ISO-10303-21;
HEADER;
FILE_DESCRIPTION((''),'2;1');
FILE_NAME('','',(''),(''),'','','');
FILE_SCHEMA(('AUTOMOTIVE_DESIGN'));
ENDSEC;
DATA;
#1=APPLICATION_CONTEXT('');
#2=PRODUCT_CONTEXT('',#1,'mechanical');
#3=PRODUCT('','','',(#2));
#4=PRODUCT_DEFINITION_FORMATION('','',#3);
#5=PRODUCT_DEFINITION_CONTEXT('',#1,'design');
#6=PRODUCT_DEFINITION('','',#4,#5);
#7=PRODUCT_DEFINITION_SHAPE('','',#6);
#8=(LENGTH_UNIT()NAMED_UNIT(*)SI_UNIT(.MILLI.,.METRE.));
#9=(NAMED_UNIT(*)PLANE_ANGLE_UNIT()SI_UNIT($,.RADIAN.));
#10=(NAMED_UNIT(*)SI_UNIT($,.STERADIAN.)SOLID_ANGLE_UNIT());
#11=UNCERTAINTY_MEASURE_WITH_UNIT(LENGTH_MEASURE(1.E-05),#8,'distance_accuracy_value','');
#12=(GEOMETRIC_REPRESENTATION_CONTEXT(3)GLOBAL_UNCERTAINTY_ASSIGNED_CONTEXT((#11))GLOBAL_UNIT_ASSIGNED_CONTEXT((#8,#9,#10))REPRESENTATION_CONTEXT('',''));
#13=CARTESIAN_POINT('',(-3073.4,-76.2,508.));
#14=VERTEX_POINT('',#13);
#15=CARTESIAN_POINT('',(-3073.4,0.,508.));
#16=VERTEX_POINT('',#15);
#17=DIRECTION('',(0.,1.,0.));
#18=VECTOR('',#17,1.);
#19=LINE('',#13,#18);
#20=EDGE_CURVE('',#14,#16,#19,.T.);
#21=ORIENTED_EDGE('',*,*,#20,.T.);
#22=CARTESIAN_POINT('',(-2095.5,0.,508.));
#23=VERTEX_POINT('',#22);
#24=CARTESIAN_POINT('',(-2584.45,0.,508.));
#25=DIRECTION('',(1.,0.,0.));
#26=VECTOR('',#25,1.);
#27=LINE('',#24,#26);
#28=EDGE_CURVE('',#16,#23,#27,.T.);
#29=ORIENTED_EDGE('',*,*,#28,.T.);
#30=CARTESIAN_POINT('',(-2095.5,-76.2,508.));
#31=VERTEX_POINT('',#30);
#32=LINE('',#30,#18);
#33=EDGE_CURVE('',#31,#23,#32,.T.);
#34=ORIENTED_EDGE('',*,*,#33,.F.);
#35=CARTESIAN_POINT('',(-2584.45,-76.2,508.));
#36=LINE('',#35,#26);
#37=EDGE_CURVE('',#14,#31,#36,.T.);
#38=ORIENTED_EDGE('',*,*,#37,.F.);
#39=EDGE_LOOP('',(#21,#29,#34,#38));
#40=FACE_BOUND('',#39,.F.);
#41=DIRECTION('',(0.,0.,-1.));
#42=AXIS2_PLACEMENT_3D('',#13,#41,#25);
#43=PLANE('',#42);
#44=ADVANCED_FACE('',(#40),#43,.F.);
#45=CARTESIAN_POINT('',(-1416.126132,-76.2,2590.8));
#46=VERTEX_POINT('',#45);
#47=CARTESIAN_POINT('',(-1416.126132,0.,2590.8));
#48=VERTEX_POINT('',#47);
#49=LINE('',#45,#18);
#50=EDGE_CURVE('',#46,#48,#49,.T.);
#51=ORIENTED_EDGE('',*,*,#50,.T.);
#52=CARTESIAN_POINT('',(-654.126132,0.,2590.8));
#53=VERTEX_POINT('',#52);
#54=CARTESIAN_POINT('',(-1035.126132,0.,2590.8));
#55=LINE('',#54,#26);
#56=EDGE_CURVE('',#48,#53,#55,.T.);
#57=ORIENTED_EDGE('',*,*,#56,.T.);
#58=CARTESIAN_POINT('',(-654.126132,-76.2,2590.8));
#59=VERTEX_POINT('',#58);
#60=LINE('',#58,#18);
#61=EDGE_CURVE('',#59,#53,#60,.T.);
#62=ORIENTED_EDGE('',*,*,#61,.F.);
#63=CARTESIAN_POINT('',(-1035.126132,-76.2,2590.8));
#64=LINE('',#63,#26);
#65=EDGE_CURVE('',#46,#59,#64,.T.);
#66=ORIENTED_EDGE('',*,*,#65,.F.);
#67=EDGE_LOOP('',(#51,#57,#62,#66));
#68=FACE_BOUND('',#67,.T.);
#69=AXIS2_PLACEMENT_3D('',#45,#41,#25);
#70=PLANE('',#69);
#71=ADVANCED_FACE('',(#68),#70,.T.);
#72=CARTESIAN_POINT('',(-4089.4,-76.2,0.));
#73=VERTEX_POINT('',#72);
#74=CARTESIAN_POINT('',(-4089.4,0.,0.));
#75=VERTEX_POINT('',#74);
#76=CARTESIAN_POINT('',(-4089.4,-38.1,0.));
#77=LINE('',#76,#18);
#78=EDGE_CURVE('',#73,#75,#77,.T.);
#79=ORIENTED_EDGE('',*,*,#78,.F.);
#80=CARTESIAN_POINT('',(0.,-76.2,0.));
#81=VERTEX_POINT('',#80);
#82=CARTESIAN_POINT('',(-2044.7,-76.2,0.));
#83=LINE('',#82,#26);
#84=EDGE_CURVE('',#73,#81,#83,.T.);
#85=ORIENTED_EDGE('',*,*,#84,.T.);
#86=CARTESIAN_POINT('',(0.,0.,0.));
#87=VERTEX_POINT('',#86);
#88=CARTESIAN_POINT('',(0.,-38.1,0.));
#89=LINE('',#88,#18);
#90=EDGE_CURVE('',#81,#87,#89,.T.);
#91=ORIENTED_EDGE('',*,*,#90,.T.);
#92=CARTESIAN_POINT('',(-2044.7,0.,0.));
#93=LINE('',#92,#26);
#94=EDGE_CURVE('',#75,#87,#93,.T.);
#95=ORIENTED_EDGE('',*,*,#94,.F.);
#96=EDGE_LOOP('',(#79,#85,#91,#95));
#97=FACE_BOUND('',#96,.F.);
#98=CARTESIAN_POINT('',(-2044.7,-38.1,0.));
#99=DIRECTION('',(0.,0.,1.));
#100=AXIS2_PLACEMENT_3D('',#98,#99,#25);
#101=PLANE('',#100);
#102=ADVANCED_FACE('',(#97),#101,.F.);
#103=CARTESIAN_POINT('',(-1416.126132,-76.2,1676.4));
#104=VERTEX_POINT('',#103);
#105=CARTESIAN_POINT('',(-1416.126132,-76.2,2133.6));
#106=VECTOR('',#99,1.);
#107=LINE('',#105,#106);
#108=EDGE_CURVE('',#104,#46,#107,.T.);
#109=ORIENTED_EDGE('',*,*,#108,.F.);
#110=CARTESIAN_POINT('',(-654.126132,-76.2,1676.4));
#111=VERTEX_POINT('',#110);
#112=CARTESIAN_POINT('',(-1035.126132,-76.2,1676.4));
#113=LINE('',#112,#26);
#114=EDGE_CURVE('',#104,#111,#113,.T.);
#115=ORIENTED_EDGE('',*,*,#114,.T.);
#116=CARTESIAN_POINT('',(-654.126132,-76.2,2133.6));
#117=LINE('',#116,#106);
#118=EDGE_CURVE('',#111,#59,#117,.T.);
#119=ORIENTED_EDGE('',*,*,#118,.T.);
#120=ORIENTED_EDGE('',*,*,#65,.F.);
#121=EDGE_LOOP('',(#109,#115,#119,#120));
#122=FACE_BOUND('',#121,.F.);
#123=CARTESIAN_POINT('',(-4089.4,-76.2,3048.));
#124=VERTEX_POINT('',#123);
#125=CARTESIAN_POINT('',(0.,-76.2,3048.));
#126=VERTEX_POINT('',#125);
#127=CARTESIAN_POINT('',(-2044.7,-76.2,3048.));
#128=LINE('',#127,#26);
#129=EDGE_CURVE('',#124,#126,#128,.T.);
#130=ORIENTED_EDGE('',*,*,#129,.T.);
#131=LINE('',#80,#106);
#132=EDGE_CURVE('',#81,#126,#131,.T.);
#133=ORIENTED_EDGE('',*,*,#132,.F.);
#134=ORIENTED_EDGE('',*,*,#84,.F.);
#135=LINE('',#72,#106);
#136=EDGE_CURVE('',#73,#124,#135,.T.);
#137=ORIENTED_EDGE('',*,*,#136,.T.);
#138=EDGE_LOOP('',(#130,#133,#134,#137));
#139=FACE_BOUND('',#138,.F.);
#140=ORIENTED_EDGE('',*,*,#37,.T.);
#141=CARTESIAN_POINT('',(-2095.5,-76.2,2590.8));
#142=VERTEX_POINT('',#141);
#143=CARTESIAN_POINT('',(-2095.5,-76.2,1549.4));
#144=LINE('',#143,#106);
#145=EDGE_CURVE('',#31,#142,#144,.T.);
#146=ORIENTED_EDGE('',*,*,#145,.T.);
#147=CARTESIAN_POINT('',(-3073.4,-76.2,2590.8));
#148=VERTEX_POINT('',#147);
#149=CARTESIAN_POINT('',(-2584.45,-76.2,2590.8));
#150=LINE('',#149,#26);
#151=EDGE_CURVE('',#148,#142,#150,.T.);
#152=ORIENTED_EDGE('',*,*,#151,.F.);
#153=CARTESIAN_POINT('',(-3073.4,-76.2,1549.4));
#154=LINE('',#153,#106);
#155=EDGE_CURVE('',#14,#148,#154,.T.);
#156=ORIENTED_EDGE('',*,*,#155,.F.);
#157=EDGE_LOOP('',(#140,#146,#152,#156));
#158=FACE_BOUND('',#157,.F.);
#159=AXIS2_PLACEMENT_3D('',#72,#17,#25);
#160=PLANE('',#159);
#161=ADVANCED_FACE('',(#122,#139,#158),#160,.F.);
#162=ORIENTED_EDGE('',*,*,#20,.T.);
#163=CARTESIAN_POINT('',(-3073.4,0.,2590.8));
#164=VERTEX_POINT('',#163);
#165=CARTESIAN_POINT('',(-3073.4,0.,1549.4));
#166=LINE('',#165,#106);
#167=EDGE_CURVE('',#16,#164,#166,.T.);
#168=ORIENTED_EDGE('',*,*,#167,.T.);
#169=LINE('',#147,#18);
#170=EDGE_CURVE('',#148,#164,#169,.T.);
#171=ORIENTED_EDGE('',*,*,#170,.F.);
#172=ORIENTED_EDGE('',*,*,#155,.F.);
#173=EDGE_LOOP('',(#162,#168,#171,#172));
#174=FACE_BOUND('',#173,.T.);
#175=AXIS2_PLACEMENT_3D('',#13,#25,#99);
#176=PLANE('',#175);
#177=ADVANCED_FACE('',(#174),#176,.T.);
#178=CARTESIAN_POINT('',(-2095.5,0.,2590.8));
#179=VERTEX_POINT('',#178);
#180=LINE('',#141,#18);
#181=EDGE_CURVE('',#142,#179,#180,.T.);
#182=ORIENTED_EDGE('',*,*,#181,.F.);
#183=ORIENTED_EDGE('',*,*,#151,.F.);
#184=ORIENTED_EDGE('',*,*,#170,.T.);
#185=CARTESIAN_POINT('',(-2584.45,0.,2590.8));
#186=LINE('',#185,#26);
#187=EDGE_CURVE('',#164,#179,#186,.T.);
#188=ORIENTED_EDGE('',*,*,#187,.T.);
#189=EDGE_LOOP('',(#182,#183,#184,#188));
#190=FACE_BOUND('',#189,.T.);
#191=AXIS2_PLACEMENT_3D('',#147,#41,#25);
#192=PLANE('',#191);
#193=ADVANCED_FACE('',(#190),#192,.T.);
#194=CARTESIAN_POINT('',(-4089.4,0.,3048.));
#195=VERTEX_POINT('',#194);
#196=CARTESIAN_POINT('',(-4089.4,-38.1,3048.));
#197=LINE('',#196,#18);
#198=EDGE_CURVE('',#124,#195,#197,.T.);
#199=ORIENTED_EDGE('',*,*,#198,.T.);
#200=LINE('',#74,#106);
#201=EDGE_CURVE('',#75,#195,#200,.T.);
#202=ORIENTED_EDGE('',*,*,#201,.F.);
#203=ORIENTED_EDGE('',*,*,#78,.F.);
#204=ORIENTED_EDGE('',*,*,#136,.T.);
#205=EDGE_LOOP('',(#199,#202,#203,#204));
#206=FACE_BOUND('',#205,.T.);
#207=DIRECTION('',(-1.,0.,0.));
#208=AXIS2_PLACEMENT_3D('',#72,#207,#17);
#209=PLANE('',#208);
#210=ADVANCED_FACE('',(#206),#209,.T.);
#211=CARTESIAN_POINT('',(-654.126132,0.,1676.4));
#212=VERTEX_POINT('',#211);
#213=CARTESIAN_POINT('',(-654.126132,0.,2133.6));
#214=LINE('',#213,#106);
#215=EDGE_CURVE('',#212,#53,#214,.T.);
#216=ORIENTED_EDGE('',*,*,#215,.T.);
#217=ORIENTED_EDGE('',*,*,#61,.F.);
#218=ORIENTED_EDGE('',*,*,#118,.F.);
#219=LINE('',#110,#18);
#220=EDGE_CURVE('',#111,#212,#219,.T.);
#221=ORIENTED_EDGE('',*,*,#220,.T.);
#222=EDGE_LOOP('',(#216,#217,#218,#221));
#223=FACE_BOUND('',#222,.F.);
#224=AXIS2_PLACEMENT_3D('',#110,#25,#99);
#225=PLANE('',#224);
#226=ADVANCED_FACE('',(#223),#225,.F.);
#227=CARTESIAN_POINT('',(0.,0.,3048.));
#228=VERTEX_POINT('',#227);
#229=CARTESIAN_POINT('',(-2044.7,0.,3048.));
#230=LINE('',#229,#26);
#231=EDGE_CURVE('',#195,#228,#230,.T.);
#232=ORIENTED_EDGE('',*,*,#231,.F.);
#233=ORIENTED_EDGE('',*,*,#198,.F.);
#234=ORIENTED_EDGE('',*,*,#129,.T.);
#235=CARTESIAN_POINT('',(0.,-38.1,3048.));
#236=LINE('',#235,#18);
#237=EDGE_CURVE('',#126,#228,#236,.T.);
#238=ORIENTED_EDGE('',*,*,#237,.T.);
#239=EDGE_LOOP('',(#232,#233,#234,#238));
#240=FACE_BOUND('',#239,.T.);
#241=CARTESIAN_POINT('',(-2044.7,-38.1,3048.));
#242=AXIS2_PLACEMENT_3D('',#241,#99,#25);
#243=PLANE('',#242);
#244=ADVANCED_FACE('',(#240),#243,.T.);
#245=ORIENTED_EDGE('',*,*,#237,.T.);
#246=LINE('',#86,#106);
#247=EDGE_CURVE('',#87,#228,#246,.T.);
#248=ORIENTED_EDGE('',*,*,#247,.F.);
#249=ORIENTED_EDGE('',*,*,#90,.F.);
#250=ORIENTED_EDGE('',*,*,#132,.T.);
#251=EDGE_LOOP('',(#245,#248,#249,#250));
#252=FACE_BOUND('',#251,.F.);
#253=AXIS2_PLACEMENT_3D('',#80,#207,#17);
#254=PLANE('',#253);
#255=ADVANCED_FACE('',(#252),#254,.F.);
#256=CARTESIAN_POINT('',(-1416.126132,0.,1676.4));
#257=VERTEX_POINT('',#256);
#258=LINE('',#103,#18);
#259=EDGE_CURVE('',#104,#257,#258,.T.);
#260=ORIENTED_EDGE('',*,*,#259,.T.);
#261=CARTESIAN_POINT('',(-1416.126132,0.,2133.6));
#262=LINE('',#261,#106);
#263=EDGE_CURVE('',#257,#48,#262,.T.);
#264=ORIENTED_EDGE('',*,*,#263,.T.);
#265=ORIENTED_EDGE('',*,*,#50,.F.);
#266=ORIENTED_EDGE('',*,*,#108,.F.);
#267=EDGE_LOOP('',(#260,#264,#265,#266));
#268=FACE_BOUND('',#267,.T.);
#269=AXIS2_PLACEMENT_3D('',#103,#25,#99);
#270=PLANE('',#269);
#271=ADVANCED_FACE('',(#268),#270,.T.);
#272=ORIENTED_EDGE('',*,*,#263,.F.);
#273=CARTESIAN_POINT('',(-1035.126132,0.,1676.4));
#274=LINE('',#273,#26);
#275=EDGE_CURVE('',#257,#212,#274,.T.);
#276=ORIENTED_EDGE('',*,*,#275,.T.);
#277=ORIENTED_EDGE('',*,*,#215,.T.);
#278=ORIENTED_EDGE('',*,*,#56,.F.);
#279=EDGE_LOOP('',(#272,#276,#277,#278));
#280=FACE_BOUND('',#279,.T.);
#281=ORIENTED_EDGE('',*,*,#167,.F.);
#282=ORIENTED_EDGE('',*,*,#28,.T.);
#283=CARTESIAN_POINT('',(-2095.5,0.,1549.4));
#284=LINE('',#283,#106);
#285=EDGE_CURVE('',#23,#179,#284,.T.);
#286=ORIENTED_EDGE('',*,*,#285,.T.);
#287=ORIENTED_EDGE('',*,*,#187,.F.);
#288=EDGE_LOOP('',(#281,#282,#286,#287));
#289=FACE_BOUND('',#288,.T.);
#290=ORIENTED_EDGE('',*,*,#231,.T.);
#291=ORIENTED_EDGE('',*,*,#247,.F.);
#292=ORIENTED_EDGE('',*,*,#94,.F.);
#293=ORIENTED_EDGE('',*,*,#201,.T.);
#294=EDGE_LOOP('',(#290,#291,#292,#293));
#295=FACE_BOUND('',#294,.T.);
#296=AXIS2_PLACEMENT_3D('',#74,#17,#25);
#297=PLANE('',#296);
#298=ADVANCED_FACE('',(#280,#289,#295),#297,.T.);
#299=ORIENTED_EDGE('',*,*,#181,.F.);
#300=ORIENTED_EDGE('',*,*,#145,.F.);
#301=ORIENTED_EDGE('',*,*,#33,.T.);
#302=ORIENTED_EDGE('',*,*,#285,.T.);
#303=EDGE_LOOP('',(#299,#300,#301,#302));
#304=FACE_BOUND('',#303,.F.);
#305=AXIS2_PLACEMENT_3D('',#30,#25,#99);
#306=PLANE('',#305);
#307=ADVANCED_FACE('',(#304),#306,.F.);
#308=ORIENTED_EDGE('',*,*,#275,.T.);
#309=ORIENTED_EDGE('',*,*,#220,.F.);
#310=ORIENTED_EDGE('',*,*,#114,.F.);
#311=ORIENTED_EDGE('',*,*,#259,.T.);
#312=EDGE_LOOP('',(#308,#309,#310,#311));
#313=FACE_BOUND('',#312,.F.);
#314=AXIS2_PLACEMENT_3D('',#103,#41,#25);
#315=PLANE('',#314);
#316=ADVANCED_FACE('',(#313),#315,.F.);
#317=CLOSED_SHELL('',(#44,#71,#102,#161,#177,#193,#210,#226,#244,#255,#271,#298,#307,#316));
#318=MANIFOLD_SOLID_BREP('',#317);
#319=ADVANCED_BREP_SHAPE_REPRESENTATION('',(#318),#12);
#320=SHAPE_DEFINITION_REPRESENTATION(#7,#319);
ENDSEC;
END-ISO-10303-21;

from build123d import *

# Parameters (mm, degrees)
F0_W     = 4089.4
F0_H     = 76.2
F1_DEPTH = 3048
F2_W     = 977.9
F2_H     = 2082.8
F3_DEPTH = 76.2
F4_W     = 762
F4_H     = 914.4
F5_DEPTH = 76.2


with BuildPart() as f1:
    # F0 (on Top) → F1 (new body)
    with BuildSketch(Plane.XY):
        with Locations((-2044.7, -38.1)):
            Rectangle(F0_W, F0_H)
    extrude(amount=F1_DEPTH)

    # F2 (on face) → F3 (cut, through all)
    with BuildSketch(Plane.XZ.offset(76.2)):
        with Locations((-2584.45, 1549.4)):
            Rectangle(F2_W, F2_H)
    extrude(amount=-F3_DEPTH, mode=Mode.SUBTRACT)

    # F4 (on face) → F5 (cut, through all)
    with BuildSketch(Plane.XZ.offset(76.2)):
        with Locations((-1035.126132, 2133.6)):
            Rectangle(F4_W, F4_H)
    extrude(amount=-F5_DEPTH, mode=Mode.SUBTRACT)


solid = f1.part
